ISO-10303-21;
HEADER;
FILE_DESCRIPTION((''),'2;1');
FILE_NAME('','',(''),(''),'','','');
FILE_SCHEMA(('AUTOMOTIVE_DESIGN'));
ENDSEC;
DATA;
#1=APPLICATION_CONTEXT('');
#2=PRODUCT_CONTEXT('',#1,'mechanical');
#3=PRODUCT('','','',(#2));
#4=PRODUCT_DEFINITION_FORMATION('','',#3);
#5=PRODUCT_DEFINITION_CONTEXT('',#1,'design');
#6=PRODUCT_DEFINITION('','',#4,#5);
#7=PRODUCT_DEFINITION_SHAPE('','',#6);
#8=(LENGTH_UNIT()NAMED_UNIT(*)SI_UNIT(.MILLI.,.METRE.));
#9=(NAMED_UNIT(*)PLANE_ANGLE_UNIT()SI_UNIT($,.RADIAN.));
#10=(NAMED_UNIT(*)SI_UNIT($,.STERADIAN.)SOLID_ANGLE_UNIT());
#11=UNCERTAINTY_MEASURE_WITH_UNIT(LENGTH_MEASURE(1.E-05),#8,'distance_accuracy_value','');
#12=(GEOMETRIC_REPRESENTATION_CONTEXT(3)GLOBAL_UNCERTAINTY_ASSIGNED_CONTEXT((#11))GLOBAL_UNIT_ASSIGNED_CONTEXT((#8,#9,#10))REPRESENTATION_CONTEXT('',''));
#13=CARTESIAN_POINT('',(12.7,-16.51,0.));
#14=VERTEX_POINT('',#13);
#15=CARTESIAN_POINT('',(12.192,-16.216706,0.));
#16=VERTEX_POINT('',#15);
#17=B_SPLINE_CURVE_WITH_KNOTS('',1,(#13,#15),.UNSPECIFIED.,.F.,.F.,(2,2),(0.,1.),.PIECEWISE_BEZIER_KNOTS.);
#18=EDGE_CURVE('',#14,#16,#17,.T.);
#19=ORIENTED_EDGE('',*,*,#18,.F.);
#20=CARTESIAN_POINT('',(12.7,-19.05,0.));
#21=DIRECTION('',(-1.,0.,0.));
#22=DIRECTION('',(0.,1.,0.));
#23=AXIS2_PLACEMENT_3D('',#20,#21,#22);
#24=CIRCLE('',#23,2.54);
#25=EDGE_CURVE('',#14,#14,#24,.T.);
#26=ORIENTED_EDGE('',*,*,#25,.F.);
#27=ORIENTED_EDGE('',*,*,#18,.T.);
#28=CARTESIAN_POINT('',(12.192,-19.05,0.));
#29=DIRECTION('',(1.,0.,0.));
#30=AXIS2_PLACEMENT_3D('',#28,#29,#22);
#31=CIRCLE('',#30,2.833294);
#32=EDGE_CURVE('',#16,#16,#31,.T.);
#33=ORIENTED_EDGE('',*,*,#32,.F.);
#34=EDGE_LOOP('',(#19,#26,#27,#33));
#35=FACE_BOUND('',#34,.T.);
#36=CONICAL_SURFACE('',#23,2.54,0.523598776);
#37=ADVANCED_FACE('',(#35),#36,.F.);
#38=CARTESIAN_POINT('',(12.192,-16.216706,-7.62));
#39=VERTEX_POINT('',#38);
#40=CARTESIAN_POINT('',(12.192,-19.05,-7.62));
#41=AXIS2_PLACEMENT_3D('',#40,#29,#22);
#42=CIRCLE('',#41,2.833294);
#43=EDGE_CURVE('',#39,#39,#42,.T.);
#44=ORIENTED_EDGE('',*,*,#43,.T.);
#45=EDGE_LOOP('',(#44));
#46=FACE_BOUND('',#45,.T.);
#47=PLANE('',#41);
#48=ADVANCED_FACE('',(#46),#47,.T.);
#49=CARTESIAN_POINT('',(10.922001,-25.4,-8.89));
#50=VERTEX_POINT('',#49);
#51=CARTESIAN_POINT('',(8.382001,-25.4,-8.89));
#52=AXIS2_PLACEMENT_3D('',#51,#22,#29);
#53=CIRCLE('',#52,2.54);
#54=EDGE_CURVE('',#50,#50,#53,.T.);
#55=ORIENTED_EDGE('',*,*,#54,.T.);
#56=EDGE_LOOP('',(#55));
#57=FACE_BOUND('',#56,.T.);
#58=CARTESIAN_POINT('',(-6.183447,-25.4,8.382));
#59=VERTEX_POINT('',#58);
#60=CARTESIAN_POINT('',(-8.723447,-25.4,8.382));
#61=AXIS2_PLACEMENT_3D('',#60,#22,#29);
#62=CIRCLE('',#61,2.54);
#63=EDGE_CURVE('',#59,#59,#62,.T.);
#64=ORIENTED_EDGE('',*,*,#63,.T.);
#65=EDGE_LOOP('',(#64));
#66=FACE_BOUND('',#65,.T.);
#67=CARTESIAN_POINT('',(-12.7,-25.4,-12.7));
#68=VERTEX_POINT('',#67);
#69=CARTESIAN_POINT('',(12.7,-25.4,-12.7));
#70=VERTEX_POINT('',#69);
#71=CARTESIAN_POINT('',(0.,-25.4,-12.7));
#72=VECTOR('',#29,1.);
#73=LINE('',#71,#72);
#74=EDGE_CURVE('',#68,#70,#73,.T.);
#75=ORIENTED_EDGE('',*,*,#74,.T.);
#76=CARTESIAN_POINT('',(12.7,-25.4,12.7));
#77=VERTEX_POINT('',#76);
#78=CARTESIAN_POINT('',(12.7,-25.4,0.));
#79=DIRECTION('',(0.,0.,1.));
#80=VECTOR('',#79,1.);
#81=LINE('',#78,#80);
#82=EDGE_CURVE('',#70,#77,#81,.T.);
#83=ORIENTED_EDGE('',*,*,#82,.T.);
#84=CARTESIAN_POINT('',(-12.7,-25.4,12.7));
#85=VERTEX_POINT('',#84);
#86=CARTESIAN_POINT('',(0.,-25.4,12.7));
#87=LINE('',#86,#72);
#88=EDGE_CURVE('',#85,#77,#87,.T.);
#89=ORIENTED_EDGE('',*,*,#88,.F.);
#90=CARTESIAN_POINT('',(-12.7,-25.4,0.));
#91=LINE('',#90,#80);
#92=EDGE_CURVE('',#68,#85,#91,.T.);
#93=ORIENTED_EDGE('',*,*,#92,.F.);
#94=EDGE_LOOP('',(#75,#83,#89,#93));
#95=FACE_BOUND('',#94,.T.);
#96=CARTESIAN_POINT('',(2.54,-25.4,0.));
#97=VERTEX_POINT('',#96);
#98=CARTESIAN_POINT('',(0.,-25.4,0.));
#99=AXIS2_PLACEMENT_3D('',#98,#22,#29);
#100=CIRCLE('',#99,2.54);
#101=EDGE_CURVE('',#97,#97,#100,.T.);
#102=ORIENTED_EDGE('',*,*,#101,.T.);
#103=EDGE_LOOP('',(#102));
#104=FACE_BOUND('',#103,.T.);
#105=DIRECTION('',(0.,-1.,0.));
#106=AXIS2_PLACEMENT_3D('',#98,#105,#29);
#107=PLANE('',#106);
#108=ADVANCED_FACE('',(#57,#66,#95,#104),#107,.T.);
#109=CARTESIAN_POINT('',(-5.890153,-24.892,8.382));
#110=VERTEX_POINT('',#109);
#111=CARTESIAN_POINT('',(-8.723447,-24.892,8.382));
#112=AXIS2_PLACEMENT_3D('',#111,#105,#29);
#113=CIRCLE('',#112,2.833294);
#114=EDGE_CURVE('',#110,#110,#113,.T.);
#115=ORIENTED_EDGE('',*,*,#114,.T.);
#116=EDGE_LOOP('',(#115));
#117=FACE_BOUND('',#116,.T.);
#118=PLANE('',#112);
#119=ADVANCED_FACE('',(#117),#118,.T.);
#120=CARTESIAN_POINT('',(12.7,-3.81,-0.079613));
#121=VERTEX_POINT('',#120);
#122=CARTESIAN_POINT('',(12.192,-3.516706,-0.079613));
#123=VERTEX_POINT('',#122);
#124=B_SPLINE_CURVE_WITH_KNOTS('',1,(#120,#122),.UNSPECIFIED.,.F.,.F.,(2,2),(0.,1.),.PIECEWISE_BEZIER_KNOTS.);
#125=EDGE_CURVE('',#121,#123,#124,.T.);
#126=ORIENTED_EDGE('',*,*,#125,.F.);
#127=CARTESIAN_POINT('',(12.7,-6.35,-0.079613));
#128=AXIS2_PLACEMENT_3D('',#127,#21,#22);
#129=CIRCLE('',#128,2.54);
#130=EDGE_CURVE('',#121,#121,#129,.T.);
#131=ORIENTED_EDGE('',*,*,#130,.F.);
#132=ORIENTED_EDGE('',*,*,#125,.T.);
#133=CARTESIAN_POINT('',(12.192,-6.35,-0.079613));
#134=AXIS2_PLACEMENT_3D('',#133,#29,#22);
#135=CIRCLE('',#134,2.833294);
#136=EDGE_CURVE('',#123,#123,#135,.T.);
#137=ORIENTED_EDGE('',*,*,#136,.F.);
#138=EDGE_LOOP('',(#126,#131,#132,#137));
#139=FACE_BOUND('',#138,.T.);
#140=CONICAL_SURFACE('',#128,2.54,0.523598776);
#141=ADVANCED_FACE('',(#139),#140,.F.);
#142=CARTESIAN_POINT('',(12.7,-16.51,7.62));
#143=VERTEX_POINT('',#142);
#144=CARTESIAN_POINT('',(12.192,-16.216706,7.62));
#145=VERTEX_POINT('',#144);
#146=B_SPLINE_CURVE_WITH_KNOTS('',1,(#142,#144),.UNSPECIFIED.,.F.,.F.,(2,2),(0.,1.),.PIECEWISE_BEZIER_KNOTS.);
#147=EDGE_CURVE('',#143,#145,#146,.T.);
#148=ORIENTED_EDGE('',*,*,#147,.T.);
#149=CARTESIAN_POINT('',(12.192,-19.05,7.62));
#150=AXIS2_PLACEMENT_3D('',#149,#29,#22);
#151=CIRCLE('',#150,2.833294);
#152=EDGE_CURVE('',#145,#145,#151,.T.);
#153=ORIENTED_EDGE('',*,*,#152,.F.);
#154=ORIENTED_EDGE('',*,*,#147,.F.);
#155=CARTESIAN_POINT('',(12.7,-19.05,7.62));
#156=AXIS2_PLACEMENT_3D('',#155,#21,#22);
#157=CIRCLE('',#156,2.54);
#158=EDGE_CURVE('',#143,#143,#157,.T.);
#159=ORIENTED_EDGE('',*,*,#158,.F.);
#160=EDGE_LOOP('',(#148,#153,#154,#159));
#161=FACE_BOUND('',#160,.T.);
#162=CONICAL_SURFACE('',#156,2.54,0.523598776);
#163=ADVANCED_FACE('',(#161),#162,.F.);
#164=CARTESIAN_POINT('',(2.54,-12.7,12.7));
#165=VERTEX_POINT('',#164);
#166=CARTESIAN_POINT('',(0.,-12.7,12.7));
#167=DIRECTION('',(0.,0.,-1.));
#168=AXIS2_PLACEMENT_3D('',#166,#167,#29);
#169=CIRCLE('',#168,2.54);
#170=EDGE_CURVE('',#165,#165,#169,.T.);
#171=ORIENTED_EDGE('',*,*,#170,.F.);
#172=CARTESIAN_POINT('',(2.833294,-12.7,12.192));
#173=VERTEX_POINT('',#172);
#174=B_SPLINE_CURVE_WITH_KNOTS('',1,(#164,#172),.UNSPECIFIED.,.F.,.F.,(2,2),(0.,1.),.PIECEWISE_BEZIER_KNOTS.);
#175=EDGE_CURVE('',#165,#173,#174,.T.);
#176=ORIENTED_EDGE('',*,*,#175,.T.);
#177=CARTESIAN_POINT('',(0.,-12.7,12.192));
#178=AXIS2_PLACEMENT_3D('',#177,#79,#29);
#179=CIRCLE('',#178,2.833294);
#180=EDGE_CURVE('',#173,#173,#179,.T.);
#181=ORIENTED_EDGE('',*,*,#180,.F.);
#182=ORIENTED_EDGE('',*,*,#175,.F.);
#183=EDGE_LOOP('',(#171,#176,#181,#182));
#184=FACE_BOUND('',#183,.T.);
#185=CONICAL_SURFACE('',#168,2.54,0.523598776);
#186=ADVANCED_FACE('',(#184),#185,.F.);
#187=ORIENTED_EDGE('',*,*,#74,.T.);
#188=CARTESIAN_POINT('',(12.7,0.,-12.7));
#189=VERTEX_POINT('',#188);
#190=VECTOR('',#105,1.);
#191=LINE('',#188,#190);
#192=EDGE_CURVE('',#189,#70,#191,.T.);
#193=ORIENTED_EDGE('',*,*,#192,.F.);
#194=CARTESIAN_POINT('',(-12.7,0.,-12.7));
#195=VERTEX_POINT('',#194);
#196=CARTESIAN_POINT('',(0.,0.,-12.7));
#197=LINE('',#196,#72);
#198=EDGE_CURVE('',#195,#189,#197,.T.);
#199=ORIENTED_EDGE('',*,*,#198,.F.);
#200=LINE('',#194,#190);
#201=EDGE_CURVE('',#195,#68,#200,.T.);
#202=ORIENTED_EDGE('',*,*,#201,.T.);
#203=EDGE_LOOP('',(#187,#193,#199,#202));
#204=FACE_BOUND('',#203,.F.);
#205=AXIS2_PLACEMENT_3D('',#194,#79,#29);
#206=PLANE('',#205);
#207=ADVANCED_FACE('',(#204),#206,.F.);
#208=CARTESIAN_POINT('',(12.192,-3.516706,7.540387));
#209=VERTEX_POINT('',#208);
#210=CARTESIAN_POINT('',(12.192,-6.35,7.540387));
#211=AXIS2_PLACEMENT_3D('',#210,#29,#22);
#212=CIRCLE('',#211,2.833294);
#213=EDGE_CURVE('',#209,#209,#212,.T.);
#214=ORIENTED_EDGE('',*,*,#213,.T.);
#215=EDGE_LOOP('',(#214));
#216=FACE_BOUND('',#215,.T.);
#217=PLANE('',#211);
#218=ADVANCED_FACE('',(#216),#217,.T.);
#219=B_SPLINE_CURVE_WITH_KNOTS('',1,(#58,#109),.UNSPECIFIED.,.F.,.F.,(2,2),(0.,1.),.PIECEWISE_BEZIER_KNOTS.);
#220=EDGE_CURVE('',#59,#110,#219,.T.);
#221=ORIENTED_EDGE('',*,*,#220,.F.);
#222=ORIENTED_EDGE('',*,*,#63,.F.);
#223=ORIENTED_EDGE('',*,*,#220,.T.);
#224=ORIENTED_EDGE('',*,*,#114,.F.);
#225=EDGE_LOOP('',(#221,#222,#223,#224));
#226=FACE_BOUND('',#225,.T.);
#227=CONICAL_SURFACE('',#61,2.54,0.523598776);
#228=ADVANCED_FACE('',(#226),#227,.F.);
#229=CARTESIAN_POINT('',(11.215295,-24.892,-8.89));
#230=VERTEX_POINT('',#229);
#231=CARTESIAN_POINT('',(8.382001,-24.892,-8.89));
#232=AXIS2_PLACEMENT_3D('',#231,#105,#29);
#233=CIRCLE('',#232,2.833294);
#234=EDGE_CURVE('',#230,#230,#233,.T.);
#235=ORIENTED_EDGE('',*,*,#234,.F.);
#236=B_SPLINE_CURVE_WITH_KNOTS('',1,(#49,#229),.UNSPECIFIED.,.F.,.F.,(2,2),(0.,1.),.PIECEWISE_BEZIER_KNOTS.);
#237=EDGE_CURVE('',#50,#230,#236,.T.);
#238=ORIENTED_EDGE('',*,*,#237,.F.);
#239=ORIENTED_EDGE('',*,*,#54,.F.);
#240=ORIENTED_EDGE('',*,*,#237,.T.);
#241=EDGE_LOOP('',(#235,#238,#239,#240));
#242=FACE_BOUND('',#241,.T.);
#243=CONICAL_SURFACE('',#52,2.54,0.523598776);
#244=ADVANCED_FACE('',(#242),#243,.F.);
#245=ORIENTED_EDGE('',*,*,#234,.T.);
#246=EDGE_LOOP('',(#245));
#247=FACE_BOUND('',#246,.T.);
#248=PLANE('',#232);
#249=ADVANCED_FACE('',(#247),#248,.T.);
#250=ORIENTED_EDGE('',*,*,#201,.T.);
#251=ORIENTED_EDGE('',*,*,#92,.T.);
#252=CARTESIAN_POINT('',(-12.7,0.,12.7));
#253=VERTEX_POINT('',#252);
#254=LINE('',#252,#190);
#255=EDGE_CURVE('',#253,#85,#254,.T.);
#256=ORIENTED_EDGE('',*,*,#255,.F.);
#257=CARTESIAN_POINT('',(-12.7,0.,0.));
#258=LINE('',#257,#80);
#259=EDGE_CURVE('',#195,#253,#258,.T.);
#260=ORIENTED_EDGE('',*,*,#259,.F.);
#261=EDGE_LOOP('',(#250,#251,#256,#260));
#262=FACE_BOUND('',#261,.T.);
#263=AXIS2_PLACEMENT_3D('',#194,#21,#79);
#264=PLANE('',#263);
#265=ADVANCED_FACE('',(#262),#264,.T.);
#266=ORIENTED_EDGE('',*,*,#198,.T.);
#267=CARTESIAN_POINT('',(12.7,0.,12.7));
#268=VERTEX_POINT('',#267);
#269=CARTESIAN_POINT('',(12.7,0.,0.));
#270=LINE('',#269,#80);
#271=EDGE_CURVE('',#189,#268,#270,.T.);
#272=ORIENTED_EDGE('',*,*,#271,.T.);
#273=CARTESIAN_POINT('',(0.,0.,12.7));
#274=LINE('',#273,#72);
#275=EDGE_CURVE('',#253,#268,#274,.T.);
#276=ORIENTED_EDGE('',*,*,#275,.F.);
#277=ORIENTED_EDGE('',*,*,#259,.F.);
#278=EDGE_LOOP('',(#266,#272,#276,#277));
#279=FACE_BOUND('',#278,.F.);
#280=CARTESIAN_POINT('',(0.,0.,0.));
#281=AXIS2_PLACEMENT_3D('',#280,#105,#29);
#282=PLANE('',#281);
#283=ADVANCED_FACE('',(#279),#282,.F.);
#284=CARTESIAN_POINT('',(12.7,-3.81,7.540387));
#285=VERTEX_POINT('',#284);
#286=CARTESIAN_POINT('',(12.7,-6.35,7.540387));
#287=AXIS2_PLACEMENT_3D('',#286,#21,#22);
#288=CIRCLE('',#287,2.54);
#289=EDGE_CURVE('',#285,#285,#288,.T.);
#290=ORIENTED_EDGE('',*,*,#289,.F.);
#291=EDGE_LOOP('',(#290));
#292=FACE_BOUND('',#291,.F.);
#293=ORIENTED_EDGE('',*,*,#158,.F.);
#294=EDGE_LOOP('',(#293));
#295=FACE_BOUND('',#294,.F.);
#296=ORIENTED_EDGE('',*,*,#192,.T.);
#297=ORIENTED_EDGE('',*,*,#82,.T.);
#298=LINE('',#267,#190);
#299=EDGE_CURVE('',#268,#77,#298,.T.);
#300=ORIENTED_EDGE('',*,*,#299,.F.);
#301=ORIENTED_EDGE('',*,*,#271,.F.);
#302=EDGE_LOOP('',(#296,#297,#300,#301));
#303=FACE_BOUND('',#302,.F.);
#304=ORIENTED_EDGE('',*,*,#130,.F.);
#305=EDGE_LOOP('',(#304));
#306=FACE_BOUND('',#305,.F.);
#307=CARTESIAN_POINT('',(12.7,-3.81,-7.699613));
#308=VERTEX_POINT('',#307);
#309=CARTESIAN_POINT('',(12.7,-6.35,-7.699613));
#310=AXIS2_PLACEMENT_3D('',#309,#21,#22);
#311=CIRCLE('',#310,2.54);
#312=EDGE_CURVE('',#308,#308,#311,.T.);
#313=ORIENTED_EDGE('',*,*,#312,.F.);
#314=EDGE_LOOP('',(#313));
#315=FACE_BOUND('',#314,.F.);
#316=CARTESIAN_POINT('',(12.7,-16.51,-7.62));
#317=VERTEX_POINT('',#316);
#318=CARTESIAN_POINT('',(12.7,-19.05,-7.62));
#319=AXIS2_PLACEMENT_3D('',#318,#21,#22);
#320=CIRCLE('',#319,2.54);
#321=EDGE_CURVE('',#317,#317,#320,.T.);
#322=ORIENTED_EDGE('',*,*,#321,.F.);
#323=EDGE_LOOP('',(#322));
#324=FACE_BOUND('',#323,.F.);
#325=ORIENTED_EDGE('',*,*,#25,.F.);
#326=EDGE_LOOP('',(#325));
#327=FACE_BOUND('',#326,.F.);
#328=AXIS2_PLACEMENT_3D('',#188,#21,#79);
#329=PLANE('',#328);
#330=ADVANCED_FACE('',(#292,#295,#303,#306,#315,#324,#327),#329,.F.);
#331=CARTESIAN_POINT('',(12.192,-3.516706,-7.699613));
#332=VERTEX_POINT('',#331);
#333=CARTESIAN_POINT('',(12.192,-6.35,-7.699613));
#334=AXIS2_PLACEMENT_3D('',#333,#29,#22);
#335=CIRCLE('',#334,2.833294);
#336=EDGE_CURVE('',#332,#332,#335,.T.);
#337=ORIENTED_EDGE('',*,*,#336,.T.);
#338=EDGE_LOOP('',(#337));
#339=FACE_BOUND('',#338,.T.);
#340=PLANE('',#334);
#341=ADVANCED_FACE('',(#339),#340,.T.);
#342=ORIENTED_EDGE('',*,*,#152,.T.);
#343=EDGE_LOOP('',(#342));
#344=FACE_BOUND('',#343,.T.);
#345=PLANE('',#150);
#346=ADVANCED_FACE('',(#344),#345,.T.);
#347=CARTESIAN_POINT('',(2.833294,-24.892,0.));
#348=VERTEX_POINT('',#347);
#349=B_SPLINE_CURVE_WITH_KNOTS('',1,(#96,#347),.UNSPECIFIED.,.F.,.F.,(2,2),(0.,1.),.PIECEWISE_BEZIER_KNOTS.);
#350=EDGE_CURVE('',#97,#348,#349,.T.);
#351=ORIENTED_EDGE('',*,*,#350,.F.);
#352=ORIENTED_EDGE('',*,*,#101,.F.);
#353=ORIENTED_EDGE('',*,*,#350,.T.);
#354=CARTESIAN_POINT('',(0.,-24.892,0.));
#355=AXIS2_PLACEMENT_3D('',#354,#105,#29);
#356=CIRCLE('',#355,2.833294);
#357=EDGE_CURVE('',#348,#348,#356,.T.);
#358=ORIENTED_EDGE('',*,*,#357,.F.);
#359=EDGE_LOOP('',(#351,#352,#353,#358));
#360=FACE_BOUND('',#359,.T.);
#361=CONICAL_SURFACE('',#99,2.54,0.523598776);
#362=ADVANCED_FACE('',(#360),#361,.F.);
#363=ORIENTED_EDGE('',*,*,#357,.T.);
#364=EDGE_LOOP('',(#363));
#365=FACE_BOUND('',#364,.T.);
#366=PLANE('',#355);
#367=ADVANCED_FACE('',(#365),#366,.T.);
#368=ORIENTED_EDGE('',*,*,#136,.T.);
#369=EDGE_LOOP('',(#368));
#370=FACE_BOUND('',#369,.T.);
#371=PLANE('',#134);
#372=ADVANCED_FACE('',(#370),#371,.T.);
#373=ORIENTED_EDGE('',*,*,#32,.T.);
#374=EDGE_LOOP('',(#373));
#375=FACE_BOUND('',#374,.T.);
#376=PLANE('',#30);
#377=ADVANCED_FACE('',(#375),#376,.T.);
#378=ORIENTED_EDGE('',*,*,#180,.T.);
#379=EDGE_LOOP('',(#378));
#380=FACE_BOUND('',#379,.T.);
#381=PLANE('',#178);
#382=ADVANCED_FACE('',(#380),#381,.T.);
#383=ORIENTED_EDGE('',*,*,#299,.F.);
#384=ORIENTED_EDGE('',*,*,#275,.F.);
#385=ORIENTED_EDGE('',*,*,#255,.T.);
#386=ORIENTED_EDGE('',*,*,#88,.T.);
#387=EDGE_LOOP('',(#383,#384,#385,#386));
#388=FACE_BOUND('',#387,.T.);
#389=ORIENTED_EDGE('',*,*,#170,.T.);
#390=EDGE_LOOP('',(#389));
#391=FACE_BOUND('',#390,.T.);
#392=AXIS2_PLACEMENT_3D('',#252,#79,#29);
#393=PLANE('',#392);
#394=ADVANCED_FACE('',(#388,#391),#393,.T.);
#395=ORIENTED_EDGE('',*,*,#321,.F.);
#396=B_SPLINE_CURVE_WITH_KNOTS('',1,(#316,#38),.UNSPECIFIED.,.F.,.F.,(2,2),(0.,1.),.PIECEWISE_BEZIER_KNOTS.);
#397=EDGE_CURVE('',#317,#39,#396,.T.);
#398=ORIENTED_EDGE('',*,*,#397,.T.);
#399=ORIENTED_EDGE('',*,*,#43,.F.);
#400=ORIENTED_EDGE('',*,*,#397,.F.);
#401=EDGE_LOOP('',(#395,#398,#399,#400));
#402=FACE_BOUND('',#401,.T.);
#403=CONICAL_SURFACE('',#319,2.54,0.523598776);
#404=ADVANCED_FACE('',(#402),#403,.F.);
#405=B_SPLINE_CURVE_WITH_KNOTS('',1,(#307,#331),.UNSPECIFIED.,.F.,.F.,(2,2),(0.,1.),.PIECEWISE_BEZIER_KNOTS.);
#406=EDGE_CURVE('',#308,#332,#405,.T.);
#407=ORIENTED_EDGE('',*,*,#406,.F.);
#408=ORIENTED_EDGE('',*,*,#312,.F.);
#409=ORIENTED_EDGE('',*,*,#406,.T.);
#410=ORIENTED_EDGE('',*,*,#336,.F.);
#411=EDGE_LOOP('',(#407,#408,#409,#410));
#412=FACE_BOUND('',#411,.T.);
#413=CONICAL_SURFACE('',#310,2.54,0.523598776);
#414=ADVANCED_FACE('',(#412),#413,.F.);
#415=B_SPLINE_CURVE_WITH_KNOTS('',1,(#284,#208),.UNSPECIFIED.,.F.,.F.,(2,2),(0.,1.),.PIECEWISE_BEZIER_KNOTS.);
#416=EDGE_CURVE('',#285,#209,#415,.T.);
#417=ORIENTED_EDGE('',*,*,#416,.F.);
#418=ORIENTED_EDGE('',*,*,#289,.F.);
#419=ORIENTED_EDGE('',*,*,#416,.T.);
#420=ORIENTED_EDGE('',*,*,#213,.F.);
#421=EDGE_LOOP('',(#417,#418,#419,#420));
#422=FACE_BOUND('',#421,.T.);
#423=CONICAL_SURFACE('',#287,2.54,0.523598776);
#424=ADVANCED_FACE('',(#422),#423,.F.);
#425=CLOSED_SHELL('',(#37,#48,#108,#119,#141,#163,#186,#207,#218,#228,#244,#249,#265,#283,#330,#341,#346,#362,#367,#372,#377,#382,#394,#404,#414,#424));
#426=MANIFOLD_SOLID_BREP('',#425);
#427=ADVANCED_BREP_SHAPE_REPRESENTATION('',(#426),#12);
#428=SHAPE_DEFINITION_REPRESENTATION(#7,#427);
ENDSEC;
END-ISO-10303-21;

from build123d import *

# Parameters (mm, degrees)
F0_W     = 25.4
F0_H     = 25.4
F1_DEPTH = 25.4
F2_R     = 2.54
F3_DEPTH = 0.508
F3_TAPER = -30
F4_R     = 2.54
F5_DEPTH = 0.508
F5_TAPER = -30
F6_R     = 2.54
F7_DEPTH = 0.508
F7_TAPER = -30


with BuildPart() as f1:
    # F0 (on Front) → F1 (new body)
    with BuildSketch(Plane.XZ):
        Rectangle(F0_W, F0_H)
    extrude(amount=F1_DEPTH)

    # F2 (on face) → F3 (cut)
    with BuildSketch(Plane.XY.offset(12.7)):
        with Locations((0, -12.7)):
            Circle(F2_R)
    extrude(amount=-F3_DEPTH, taper=F3_TAPER, mode=Mode.SUBTRACT)

    # F4 (on face) → F5 (cut)
    with BuildSketch(Plane.XZ.offset(25.4)):
        with Locations((-8.7234472609, 8.382)):
            Circle(F4_R)
        Circle(F4_R)
        with Locations((8.3820009604, -8.890000172)):
            Circle(F4_R)
    extrude(amount=-F5_DEPTH, taper=F5_TAPER, mode=Mode.SUBTRACT)

    # F6 (on face) → F7 (cut)
    with BuildSketch(Plane.YZ.offset(12.7)):
        with Locations((-6.35, 7.5403870248)):
            Circle(F6_R)
        with Locations((-6.35, -0.0796129752)):
            Circle(F6_R)
        with Locations((-6.35, -7.6996129752)):
            Circle(F6_R)
        with Locations((-19.05, 0)):
            Circle(F6_R)
        with Locations((-19.05, 7.62)):
            Circle(F6_R)
        with Locations((-19.05, -7.62)):
            Circle(F6_R)
    extrude(amount=-F7_DEPTH, taper=F7_TAPER, mode=Mode.SUBTRACT)


solid = f1.part
